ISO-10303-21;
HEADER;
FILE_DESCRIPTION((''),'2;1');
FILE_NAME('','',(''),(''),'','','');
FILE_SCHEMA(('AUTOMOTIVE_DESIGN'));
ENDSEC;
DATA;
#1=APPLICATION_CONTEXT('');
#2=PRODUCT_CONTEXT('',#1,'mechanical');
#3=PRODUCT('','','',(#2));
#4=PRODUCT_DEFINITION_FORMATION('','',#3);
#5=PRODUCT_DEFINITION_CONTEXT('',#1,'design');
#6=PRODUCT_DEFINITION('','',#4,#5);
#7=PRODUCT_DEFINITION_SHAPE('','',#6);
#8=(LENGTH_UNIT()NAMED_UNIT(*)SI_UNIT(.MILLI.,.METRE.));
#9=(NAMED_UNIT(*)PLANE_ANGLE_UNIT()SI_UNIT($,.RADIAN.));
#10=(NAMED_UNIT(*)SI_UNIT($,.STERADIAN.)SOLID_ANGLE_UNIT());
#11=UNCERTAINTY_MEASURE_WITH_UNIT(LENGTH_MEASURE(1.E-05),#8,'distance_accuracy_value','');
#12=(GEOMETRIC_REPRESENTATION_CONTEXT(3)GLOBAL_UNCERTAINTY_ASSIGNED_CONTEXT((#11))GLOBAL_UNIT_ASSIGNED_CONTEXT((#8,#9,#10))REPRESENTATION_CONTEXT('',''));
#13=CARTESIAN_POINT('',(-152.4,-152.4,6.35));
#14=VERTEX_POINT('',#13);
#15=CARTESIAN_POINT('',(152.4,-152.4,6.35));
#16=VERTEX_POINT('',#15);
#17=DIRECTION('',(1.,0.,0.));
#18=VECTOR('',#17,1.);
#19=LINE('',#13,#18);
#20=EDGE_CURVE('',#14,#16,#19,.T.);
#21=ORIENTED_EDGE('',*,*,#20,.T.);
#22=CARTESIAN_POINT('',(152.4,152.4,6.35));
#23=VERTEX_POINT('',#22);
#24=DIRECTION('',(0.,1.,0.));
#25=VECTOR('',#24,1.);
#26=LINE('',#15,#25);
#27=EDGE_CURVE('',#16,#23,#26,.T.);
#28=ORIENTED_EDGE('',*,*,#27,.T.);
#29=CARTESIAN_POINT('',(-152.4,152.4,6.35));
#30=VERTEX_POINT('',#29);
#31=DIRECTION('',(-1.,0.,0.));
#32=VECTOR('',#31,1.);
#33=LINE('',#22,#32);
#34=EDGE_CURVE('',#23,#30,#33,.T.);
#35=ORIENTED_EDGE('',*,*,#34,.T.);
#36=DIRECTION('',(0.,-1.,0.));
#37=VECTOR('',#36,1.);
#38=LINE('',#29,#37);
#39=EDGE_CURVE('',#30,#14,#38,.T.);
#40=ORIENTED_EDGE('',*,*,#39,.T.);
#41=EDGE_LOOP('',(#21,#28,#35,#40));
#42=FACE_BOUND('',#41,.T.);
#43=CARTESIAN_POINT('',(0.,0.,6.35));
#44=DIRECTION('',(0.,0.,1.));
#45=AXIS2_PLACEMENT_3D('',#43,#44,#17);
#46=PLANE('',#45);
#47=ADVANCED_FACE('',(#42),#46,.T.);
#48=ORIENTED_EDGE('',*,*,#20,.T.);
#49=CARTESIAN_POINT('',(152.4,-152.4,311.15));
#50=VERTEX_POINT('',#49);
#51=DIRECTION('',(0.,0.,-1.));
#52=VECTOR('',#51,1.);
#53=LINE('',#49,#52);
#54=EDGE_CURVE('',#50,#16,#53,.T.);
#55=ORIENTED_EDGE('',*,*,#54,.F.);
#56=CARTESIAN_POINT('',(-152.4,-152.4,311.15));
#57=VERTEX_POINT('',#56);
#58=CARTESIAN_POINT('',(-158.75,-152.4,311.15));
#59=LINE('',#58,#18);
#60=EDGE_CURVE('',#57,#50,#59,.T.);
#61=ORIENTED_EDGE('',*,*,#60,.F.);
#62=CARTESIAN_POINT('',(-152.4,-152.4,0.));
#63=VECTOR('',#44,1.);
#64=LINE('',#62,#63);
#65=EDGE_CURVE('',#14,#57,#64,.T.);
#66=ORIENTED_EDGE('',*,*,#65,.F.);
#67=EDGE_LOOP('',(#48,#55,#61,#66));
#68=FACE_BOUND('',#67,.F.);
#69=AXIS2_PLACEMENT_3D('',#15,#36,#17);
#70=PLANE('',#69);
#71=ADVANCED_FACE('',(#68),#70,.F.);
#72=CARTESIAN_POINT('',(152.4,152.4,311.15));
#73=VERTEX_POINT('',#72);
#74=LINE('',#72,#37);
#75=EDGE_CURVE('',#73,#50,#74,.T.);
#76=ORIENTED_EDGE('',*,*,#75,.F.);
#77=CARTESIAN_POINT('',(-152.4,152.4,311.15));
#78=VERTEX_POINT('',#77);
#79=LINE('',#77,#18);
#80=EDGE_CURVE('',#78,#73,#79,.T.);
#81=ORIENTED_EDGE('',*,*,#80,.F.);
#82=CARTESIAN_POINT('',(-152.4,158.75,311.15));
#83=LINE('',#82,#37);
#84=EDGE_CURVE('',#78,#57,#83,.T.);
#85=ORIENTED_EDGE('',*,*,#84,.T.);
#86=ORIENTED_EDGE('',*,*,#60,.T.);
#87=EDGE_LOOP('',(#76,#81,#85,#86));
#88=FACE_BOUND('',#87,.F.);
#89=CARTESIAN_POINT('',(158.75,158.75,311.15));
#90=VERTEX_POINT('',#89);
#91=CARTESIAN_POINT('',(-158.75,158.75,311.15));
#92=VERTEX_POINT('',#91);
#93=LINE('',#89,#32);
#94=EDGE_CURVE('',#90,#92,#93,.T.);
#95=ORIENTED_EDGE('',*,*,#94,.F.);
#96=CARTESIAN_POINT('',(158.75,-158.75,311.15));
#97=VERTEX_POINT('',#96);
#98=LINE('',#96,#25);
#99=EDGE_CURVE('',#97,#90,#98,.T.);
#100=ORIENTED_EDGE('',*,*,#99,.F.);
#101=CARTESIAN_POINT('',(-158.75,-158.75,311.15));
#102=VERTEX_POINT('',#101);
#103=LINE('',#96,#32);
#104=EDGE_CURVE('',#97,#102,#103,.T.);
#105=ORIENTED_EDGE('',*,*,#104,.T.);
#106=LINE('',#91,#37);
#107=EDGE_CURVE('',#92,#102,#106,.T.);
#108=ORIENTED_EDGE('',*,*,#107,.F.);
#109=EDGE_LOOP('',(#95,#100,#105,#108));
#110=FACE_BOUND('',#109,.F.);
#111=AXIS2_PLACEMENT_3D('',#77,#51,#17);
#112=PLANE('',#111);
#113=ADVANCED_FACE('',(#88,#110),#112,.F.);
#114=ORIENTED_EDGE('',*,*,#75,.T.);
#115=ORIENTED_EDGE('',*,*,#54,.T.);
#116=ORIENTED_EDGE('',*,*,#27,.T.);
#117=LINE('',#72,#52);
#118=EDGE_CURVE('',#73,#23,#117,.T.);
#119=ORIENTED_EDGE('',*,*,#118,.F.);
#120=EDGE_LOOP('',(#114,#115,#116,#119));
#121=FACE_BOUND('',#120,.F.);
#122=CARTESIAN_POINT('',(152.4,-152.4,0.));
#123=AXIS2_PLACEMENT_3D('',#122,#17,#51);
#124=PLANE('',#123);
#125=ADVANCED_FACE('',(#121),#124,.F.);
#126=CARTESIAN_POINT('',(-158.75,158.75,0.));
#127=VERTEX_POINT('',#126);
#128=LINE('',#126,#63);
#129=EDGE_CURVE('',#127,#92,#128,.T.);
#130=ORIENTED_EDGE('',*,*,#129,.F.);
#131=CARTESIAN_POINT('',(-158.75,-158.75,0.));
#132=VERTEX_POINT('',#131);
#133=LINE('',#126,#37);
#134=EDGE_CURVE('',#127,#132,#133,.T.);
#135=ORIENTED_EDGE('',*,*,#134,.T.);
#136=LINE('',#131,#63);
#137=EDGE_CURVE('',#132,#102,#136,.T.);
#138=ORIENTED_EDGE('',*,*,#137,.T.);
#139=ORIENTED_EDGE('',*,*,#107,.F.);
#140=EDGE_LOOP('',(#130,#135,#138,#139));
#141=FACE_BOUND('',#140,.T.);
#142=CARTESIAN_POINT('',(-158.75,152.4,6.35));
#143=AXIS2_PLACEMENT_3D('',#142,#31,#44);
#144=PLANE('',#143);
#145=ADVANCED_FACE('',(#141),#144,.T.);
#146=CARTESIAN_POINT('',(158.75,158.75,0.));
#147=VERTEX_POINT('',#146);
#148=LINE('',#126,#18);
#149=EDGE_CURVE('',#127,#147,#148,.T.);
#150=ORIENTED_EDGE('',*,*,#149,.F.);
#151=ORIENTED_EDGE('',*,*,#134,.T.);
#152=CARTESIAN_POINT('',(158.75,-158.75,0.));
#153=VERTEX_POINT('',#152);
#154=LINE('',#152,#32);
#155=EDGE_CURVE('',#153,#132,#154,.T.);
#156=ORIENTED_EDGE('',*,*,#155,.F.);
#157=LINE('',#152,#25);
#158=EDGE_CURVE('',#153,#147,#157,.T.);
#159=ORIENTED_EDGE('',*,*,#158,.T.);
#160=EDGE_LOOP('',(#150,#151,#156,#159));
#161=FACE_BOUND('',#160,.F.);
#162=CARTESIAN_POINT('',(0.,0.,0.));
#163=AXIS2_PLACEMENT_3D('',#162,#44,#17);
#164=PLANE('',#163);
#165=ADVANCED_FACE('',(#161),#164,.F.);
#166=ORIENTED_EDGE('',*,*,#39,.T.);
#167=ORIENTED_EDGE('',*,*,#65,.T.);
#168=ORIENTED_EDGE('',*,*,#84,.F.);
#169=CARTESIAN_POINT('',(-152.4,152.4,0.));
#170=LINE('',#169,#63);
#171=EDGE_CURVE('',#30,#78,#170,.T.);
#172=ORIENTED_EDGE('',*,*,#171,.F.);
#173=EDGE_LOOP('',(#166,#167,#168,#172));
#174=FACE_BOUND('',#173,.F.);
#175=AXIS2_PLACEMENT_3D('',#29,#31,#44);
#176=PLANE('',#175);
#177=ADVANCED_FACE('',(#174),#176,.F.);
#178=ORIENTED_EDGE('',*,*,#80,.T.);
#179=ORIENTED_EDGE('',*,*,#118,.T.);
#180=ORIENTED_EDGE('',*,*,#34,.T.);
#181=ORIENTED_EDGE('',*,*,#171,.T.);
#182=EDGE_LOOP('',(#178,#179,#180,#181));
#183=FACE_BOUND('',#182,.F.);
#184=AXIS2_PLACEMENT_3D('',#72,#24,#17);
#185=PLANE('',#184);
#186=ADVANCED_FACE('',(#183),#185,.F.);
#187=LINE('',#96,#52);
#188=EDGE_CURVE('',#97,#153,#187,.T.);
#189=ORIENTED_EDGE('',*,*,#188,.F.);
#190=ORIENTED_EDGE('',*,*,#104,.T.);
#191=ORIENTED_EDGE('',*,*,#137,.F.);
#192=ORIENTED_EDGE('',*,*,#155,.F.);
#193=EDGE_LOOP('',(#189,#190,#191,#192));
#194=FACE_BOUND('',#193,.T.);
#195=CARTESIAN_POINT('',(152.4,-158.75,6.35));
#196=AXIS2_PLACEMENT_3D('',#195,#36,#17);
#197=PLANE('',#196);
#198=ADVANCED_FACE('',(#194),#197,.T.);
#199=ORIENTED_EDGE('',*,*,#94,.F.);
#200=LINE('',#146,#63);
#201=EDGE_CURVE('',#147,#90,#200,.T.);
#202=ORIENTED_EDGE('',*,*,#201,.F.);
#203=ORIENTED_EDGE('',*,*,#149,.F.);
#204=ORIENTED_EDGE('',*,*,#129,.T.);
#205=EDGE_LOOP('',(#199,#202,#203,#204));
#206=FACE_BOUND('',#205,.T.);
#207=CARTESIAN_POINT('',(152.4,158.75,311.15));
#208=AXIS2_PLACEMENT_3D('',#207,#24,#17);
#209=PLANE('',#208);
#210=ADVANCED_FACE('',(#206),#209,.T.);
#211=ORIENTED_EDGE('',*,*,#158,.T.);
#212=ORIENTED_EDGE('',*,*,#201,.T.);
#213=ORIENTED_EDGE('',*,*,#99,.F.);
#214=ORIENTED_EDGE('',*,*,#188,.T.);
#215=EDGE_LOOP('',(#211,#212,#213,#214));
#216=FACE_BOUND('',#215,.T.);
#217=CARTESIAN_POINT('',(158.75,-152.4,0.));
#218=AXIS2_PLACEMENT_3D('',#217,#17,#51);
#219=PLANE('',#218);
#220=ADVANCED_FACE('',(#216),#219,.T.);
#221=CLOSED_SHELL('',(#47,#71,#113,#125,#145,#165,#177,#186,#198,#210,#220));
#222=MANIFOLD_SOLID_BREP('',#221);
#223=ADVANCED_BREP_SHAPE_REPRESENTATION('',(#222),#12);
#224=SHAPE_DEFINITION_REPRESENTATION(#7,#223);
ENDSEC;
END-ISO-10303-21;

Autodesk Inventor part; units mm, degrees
ref_plane "YZ Plane" through (0, 0, 0) normal (1, 0, 0) x (0, 1, 0)
ref_plane "XZ Plane" through (0, 0, 0) normal (0, 1, 0) x (-1, 0, 0)
ref_plane "XY Plane" through (0, 0, 0) normal (0, 0, 1) x (1, 0, 0)
sketch "Sketch1" plane through (0, 0, 0) normal (0, 0, 1) x (1, 0, 0)
  line L0 (-152.4, -152.4) -> (152.4, -152.4)
  line L1 (152.4, -152.4) -> (152.4, 152.4)
  line L2 (152.4, 152.4) -> (-152.4, 152.4)
  line L3 (-152.4, 152.4) -> (-152.4, -152.4)
  line L4 (-152.4, -152.4) -> (152.4, 152.4) construction
  line L5 (152.4, -152.4) -> (-152.4, 152.4) construction
  point P0 (0, 0)
  dimension "d0" = 304.8
  dimension "d1" = 304.8
extrude "Extrusion1" add sketch "Sketch1" along normal blind 6.35
sketch "Sketch2" plane through (152.4, -152.4, 0) normal (1, 0, 0) x (0, 0, -1)
  line L0 (-6.35, 0) -> (-6.35, 304.8) projected
  line L1 (-6.35, 304.8) -> (-311.15, 304.8)
  line L2 (-311.15, 304.8) -> (-311.15, 0)
  line L3 (-311.15, 0) -> (-6.35, 0)
  line L4 (-6.35, 0) -> (-6.35, 304.8)
  line L5 (0, 0) -> (0, 304.8) projected
  line L6 (0, 304.8) -> (-6.35, 304.8) projected
  line L7 (-6.35, 0) -> (-6.35, 304.8) projected
  line L8 (0, 0) -> (-6.35, 0) projected
  point P0 (0, 152.4)
  dimension "d4" = 304.8
  dimension "d5" = 304.8
extrude "Extrusion2" add sketch "Sketch2" along normal blind 6.35
sketch "Sketch3" plane through (152.4, 152.4, 311.15) normal (0, 1, 0) x (1, 0, 0)
  line L0 (0, 304.8) -> (-304.8, 304.8) projected
  line L1 (0, 304.8) -> (0, 0) projected
  line L2 (0, 304.8) -> (-304.8, 304.8)
  line L3 (-304.8, 304.8) -> (-304.8, 0)
  line L4 (-304.8, 0) -> (0, 0)
  line L5 (0, 0) -> (0, 304.8)
  line L6 (-304.8, 311.15) -> (6.35, 311.15) projected
  line L7 (-304.8, 311.15) -> (-304.8, 304.8) projected
  line L8 (0, 304.8) -> (-304.8, 304.8) projected
  line L9 (0, 304.8) -> (0, 0) projected
  line L10 (0, 0) -> (6.35, 0) projected
  line L11 (6.35, 311.15) -> (6.35, 0) projected
  point P0 (-152.4, 311.15)
  dimension "d8" = 304.8
  dimension "d9" = 304.8
extrude "Extrusion3" add sketch "Sketch3" along normal blind 6.35
sketch "Sketch4" plane through (-152.4, 152.4, 6.35) normal (-1, 0, 0) x (0, 0, 1)
  line L0 (-6.35, -304.8) -> (-6.35, 6.35) projected
  line L1 (-6.35, -304.8) -> (0, -304.8) projected
  line L2 (0, 0) -> (0, -304.8) projected
  line L3 (0, 0) -> (304.8, 0) projected
  line L4 (304.8, 0) -> (304.8, 6.35) projected
  line L5 (-6.35, 6.35) -> (304.8, 6.35) projected
  line L6 (0, 0) -> (304.8, 0)
  line L7 (304.8, 0) -> (304.8, -304.8)
  line L8 (304.8, -304.8) -> (0, -304.8)
  line L9 (0, -304.8) -> (0, 0)
  point P0 (-6.35, -152.4)
  dimension "d12" = 304.8
  dimension "d13" = 304.8
extrude "Extrusion4" add sketch "Sketch4" along normal blind 6.35
sketch "Sketch5" plane through (152.4, -152.4, 6.35) normal (0, -1, 0) x (1, 0, 0)
  line L0 (6.35, -6.35) -> (-311.15, -6.35) projected
  line L1 (6.35, 304.8) -> (6.35, -6.35) projected
  line L2 (0, 304.8) -> (6.35, 304.8) projected
  line L3 (0, 304.8) -> (0, 0) projected
  line L4 (-304.8, 0) -> (0, 0) projected
  line L5 (-304.8, 0) -> (-304.8, 304.8) projected
  line L6 (-304.8, 304.8) -> (-311.15, 304.8) projected
  line L7 (-311.15, -6.35) -> (-311.15, 304.8) projected
  line L8 (-304.8, 0) -> (0, 0)
  line L9 (0, 0) -> (0, 304.8)
  line L10 (0, 304.8) -> (-304.8, 304.8)
  line L11 (-304.8, 304.8) -> (-304.8, 0)
  point P0 (-152.4, -6.35)
  dimension "d16" = 304.8
  dimension "d17" = 304.8
extrude "Extrusion5" add sketch "Sketch5" along normal blind 6.35
ref_plane "Work Plane1" through (152.4, 0, 311.15) normal (0, 1, 0) x (1, 0, 0)
ref_plane "Work Plane2" through (0, 152.4, 6.35) normal (-1, 0, 0) x (0, 0, 1)
properties part number "Robot Box" material "Wood (Birch)"
